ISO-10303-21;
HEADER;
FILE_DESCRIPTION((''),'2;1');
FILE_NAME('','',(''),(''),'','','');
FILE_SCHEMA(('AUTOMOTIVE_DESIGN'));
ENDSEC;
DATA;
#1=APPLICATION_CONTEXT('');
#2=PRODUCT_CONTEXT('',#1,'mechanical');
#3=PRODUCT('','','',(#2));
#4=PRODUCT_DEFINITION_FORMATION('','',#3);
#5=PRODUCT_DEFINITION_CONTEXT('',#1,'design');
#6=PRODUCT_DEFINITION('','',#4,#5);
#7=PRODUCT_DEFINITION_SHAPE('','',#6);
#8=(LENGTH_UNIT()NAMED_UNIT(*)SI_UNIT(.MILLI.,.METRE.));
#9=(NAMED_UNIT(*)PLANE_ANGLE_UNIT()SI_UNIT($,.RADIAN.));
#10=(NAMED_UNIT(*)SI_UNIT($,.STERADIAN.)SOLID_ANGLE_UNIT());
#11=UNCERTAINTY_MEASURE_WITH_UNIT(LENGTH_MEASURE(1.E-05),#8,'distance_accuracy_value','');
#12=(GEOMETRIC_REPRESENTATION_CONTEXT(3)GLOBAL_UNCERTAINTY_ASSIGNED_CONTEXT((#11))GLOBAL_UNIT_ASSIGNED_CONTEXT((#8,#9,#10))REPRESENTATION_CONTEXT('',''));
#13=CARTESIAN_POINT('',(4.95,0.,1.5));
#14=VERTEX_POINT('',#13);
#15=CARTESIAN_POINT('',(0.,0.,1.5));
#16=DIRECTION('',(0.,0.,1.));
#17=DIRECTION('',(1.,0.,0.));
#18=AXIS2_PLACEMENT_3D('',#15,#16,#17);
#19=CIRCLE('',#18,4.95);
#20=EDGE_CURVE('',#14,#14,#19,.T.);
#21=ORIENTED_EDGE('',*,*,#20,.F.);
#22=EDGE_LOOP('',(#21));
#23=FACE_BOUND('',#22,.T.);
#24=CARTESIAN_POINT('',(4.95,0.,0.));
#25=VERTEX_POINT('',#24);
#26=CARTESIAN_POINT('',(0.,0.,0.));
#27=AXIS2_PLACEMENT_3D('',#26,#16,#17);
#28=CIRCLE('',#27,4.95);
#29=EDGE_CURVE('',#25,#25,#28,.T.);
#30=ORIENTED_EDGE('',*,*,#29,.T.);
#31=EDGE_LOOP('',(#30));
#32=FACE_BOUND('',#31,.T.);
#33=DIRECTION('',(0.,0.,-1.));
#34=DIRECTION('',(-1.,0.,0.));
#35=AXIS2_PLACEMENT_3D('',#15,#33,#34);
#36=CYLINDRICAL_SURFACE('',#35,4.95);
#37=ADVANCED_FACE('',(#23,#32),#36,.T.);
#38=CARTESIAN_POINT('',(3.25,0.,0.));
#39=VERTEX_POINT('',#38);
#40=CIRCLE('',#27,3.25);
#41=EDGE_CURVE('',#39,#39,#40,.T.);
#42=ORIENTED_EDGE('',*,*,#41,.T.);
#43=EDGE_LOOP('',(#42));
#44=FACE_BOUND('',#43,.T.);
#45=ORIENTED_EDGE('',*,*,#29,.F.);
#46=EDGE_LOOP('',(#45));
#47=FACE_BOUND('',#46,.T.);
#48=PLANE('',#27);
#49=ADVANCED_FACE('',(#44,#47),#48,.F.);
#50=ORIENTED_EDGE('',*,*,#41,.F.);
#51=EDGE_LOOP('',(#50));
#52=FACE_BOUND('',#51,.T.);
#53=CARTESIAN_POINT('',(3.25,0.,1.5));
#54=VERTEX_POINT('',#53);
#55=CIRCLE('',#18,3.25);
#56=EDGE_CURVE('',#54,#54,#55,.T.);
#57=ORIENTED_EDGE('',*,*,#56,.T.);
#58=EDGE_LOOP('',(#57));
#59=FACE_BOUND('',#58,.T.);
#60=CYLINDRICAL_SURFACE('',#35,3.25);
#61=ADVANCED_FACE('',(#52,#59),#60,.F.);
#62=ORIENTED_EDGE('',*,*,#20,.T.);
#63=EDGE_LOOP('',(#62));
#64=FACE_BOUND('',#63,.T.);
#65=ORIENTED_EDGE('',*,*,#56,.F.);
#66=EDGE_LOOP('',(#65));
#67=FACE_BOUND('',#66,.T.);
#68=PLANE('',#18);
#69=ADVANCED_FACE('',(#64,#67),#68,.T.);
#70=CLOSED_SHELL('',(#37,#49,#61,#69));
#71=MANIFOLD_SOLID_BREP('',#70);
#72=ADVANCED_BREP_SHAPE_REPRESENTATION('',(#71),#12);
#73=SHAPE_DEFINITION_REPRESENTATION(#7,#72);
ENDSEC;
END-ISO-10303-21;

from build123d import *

# Parameters (mm, degrees)
SKETCH1_R           = 4.95
SKETCH1_R_2         = 3.25
BOSS_EXTRUDE1_DEPTH = 1.5


with BuildPart() as part:
    # Sketch1 → Boss-Extrude1 (new body)
    with BuildSketch(Plane.XY):
        Circle(SKETCH1_R)
        Circle(SKETCH1_R_2, mode=Mode.SUBTRACT)
    extrude(amount=BOSS_EXTRUDE1_DEPTH)


solid = part.part
